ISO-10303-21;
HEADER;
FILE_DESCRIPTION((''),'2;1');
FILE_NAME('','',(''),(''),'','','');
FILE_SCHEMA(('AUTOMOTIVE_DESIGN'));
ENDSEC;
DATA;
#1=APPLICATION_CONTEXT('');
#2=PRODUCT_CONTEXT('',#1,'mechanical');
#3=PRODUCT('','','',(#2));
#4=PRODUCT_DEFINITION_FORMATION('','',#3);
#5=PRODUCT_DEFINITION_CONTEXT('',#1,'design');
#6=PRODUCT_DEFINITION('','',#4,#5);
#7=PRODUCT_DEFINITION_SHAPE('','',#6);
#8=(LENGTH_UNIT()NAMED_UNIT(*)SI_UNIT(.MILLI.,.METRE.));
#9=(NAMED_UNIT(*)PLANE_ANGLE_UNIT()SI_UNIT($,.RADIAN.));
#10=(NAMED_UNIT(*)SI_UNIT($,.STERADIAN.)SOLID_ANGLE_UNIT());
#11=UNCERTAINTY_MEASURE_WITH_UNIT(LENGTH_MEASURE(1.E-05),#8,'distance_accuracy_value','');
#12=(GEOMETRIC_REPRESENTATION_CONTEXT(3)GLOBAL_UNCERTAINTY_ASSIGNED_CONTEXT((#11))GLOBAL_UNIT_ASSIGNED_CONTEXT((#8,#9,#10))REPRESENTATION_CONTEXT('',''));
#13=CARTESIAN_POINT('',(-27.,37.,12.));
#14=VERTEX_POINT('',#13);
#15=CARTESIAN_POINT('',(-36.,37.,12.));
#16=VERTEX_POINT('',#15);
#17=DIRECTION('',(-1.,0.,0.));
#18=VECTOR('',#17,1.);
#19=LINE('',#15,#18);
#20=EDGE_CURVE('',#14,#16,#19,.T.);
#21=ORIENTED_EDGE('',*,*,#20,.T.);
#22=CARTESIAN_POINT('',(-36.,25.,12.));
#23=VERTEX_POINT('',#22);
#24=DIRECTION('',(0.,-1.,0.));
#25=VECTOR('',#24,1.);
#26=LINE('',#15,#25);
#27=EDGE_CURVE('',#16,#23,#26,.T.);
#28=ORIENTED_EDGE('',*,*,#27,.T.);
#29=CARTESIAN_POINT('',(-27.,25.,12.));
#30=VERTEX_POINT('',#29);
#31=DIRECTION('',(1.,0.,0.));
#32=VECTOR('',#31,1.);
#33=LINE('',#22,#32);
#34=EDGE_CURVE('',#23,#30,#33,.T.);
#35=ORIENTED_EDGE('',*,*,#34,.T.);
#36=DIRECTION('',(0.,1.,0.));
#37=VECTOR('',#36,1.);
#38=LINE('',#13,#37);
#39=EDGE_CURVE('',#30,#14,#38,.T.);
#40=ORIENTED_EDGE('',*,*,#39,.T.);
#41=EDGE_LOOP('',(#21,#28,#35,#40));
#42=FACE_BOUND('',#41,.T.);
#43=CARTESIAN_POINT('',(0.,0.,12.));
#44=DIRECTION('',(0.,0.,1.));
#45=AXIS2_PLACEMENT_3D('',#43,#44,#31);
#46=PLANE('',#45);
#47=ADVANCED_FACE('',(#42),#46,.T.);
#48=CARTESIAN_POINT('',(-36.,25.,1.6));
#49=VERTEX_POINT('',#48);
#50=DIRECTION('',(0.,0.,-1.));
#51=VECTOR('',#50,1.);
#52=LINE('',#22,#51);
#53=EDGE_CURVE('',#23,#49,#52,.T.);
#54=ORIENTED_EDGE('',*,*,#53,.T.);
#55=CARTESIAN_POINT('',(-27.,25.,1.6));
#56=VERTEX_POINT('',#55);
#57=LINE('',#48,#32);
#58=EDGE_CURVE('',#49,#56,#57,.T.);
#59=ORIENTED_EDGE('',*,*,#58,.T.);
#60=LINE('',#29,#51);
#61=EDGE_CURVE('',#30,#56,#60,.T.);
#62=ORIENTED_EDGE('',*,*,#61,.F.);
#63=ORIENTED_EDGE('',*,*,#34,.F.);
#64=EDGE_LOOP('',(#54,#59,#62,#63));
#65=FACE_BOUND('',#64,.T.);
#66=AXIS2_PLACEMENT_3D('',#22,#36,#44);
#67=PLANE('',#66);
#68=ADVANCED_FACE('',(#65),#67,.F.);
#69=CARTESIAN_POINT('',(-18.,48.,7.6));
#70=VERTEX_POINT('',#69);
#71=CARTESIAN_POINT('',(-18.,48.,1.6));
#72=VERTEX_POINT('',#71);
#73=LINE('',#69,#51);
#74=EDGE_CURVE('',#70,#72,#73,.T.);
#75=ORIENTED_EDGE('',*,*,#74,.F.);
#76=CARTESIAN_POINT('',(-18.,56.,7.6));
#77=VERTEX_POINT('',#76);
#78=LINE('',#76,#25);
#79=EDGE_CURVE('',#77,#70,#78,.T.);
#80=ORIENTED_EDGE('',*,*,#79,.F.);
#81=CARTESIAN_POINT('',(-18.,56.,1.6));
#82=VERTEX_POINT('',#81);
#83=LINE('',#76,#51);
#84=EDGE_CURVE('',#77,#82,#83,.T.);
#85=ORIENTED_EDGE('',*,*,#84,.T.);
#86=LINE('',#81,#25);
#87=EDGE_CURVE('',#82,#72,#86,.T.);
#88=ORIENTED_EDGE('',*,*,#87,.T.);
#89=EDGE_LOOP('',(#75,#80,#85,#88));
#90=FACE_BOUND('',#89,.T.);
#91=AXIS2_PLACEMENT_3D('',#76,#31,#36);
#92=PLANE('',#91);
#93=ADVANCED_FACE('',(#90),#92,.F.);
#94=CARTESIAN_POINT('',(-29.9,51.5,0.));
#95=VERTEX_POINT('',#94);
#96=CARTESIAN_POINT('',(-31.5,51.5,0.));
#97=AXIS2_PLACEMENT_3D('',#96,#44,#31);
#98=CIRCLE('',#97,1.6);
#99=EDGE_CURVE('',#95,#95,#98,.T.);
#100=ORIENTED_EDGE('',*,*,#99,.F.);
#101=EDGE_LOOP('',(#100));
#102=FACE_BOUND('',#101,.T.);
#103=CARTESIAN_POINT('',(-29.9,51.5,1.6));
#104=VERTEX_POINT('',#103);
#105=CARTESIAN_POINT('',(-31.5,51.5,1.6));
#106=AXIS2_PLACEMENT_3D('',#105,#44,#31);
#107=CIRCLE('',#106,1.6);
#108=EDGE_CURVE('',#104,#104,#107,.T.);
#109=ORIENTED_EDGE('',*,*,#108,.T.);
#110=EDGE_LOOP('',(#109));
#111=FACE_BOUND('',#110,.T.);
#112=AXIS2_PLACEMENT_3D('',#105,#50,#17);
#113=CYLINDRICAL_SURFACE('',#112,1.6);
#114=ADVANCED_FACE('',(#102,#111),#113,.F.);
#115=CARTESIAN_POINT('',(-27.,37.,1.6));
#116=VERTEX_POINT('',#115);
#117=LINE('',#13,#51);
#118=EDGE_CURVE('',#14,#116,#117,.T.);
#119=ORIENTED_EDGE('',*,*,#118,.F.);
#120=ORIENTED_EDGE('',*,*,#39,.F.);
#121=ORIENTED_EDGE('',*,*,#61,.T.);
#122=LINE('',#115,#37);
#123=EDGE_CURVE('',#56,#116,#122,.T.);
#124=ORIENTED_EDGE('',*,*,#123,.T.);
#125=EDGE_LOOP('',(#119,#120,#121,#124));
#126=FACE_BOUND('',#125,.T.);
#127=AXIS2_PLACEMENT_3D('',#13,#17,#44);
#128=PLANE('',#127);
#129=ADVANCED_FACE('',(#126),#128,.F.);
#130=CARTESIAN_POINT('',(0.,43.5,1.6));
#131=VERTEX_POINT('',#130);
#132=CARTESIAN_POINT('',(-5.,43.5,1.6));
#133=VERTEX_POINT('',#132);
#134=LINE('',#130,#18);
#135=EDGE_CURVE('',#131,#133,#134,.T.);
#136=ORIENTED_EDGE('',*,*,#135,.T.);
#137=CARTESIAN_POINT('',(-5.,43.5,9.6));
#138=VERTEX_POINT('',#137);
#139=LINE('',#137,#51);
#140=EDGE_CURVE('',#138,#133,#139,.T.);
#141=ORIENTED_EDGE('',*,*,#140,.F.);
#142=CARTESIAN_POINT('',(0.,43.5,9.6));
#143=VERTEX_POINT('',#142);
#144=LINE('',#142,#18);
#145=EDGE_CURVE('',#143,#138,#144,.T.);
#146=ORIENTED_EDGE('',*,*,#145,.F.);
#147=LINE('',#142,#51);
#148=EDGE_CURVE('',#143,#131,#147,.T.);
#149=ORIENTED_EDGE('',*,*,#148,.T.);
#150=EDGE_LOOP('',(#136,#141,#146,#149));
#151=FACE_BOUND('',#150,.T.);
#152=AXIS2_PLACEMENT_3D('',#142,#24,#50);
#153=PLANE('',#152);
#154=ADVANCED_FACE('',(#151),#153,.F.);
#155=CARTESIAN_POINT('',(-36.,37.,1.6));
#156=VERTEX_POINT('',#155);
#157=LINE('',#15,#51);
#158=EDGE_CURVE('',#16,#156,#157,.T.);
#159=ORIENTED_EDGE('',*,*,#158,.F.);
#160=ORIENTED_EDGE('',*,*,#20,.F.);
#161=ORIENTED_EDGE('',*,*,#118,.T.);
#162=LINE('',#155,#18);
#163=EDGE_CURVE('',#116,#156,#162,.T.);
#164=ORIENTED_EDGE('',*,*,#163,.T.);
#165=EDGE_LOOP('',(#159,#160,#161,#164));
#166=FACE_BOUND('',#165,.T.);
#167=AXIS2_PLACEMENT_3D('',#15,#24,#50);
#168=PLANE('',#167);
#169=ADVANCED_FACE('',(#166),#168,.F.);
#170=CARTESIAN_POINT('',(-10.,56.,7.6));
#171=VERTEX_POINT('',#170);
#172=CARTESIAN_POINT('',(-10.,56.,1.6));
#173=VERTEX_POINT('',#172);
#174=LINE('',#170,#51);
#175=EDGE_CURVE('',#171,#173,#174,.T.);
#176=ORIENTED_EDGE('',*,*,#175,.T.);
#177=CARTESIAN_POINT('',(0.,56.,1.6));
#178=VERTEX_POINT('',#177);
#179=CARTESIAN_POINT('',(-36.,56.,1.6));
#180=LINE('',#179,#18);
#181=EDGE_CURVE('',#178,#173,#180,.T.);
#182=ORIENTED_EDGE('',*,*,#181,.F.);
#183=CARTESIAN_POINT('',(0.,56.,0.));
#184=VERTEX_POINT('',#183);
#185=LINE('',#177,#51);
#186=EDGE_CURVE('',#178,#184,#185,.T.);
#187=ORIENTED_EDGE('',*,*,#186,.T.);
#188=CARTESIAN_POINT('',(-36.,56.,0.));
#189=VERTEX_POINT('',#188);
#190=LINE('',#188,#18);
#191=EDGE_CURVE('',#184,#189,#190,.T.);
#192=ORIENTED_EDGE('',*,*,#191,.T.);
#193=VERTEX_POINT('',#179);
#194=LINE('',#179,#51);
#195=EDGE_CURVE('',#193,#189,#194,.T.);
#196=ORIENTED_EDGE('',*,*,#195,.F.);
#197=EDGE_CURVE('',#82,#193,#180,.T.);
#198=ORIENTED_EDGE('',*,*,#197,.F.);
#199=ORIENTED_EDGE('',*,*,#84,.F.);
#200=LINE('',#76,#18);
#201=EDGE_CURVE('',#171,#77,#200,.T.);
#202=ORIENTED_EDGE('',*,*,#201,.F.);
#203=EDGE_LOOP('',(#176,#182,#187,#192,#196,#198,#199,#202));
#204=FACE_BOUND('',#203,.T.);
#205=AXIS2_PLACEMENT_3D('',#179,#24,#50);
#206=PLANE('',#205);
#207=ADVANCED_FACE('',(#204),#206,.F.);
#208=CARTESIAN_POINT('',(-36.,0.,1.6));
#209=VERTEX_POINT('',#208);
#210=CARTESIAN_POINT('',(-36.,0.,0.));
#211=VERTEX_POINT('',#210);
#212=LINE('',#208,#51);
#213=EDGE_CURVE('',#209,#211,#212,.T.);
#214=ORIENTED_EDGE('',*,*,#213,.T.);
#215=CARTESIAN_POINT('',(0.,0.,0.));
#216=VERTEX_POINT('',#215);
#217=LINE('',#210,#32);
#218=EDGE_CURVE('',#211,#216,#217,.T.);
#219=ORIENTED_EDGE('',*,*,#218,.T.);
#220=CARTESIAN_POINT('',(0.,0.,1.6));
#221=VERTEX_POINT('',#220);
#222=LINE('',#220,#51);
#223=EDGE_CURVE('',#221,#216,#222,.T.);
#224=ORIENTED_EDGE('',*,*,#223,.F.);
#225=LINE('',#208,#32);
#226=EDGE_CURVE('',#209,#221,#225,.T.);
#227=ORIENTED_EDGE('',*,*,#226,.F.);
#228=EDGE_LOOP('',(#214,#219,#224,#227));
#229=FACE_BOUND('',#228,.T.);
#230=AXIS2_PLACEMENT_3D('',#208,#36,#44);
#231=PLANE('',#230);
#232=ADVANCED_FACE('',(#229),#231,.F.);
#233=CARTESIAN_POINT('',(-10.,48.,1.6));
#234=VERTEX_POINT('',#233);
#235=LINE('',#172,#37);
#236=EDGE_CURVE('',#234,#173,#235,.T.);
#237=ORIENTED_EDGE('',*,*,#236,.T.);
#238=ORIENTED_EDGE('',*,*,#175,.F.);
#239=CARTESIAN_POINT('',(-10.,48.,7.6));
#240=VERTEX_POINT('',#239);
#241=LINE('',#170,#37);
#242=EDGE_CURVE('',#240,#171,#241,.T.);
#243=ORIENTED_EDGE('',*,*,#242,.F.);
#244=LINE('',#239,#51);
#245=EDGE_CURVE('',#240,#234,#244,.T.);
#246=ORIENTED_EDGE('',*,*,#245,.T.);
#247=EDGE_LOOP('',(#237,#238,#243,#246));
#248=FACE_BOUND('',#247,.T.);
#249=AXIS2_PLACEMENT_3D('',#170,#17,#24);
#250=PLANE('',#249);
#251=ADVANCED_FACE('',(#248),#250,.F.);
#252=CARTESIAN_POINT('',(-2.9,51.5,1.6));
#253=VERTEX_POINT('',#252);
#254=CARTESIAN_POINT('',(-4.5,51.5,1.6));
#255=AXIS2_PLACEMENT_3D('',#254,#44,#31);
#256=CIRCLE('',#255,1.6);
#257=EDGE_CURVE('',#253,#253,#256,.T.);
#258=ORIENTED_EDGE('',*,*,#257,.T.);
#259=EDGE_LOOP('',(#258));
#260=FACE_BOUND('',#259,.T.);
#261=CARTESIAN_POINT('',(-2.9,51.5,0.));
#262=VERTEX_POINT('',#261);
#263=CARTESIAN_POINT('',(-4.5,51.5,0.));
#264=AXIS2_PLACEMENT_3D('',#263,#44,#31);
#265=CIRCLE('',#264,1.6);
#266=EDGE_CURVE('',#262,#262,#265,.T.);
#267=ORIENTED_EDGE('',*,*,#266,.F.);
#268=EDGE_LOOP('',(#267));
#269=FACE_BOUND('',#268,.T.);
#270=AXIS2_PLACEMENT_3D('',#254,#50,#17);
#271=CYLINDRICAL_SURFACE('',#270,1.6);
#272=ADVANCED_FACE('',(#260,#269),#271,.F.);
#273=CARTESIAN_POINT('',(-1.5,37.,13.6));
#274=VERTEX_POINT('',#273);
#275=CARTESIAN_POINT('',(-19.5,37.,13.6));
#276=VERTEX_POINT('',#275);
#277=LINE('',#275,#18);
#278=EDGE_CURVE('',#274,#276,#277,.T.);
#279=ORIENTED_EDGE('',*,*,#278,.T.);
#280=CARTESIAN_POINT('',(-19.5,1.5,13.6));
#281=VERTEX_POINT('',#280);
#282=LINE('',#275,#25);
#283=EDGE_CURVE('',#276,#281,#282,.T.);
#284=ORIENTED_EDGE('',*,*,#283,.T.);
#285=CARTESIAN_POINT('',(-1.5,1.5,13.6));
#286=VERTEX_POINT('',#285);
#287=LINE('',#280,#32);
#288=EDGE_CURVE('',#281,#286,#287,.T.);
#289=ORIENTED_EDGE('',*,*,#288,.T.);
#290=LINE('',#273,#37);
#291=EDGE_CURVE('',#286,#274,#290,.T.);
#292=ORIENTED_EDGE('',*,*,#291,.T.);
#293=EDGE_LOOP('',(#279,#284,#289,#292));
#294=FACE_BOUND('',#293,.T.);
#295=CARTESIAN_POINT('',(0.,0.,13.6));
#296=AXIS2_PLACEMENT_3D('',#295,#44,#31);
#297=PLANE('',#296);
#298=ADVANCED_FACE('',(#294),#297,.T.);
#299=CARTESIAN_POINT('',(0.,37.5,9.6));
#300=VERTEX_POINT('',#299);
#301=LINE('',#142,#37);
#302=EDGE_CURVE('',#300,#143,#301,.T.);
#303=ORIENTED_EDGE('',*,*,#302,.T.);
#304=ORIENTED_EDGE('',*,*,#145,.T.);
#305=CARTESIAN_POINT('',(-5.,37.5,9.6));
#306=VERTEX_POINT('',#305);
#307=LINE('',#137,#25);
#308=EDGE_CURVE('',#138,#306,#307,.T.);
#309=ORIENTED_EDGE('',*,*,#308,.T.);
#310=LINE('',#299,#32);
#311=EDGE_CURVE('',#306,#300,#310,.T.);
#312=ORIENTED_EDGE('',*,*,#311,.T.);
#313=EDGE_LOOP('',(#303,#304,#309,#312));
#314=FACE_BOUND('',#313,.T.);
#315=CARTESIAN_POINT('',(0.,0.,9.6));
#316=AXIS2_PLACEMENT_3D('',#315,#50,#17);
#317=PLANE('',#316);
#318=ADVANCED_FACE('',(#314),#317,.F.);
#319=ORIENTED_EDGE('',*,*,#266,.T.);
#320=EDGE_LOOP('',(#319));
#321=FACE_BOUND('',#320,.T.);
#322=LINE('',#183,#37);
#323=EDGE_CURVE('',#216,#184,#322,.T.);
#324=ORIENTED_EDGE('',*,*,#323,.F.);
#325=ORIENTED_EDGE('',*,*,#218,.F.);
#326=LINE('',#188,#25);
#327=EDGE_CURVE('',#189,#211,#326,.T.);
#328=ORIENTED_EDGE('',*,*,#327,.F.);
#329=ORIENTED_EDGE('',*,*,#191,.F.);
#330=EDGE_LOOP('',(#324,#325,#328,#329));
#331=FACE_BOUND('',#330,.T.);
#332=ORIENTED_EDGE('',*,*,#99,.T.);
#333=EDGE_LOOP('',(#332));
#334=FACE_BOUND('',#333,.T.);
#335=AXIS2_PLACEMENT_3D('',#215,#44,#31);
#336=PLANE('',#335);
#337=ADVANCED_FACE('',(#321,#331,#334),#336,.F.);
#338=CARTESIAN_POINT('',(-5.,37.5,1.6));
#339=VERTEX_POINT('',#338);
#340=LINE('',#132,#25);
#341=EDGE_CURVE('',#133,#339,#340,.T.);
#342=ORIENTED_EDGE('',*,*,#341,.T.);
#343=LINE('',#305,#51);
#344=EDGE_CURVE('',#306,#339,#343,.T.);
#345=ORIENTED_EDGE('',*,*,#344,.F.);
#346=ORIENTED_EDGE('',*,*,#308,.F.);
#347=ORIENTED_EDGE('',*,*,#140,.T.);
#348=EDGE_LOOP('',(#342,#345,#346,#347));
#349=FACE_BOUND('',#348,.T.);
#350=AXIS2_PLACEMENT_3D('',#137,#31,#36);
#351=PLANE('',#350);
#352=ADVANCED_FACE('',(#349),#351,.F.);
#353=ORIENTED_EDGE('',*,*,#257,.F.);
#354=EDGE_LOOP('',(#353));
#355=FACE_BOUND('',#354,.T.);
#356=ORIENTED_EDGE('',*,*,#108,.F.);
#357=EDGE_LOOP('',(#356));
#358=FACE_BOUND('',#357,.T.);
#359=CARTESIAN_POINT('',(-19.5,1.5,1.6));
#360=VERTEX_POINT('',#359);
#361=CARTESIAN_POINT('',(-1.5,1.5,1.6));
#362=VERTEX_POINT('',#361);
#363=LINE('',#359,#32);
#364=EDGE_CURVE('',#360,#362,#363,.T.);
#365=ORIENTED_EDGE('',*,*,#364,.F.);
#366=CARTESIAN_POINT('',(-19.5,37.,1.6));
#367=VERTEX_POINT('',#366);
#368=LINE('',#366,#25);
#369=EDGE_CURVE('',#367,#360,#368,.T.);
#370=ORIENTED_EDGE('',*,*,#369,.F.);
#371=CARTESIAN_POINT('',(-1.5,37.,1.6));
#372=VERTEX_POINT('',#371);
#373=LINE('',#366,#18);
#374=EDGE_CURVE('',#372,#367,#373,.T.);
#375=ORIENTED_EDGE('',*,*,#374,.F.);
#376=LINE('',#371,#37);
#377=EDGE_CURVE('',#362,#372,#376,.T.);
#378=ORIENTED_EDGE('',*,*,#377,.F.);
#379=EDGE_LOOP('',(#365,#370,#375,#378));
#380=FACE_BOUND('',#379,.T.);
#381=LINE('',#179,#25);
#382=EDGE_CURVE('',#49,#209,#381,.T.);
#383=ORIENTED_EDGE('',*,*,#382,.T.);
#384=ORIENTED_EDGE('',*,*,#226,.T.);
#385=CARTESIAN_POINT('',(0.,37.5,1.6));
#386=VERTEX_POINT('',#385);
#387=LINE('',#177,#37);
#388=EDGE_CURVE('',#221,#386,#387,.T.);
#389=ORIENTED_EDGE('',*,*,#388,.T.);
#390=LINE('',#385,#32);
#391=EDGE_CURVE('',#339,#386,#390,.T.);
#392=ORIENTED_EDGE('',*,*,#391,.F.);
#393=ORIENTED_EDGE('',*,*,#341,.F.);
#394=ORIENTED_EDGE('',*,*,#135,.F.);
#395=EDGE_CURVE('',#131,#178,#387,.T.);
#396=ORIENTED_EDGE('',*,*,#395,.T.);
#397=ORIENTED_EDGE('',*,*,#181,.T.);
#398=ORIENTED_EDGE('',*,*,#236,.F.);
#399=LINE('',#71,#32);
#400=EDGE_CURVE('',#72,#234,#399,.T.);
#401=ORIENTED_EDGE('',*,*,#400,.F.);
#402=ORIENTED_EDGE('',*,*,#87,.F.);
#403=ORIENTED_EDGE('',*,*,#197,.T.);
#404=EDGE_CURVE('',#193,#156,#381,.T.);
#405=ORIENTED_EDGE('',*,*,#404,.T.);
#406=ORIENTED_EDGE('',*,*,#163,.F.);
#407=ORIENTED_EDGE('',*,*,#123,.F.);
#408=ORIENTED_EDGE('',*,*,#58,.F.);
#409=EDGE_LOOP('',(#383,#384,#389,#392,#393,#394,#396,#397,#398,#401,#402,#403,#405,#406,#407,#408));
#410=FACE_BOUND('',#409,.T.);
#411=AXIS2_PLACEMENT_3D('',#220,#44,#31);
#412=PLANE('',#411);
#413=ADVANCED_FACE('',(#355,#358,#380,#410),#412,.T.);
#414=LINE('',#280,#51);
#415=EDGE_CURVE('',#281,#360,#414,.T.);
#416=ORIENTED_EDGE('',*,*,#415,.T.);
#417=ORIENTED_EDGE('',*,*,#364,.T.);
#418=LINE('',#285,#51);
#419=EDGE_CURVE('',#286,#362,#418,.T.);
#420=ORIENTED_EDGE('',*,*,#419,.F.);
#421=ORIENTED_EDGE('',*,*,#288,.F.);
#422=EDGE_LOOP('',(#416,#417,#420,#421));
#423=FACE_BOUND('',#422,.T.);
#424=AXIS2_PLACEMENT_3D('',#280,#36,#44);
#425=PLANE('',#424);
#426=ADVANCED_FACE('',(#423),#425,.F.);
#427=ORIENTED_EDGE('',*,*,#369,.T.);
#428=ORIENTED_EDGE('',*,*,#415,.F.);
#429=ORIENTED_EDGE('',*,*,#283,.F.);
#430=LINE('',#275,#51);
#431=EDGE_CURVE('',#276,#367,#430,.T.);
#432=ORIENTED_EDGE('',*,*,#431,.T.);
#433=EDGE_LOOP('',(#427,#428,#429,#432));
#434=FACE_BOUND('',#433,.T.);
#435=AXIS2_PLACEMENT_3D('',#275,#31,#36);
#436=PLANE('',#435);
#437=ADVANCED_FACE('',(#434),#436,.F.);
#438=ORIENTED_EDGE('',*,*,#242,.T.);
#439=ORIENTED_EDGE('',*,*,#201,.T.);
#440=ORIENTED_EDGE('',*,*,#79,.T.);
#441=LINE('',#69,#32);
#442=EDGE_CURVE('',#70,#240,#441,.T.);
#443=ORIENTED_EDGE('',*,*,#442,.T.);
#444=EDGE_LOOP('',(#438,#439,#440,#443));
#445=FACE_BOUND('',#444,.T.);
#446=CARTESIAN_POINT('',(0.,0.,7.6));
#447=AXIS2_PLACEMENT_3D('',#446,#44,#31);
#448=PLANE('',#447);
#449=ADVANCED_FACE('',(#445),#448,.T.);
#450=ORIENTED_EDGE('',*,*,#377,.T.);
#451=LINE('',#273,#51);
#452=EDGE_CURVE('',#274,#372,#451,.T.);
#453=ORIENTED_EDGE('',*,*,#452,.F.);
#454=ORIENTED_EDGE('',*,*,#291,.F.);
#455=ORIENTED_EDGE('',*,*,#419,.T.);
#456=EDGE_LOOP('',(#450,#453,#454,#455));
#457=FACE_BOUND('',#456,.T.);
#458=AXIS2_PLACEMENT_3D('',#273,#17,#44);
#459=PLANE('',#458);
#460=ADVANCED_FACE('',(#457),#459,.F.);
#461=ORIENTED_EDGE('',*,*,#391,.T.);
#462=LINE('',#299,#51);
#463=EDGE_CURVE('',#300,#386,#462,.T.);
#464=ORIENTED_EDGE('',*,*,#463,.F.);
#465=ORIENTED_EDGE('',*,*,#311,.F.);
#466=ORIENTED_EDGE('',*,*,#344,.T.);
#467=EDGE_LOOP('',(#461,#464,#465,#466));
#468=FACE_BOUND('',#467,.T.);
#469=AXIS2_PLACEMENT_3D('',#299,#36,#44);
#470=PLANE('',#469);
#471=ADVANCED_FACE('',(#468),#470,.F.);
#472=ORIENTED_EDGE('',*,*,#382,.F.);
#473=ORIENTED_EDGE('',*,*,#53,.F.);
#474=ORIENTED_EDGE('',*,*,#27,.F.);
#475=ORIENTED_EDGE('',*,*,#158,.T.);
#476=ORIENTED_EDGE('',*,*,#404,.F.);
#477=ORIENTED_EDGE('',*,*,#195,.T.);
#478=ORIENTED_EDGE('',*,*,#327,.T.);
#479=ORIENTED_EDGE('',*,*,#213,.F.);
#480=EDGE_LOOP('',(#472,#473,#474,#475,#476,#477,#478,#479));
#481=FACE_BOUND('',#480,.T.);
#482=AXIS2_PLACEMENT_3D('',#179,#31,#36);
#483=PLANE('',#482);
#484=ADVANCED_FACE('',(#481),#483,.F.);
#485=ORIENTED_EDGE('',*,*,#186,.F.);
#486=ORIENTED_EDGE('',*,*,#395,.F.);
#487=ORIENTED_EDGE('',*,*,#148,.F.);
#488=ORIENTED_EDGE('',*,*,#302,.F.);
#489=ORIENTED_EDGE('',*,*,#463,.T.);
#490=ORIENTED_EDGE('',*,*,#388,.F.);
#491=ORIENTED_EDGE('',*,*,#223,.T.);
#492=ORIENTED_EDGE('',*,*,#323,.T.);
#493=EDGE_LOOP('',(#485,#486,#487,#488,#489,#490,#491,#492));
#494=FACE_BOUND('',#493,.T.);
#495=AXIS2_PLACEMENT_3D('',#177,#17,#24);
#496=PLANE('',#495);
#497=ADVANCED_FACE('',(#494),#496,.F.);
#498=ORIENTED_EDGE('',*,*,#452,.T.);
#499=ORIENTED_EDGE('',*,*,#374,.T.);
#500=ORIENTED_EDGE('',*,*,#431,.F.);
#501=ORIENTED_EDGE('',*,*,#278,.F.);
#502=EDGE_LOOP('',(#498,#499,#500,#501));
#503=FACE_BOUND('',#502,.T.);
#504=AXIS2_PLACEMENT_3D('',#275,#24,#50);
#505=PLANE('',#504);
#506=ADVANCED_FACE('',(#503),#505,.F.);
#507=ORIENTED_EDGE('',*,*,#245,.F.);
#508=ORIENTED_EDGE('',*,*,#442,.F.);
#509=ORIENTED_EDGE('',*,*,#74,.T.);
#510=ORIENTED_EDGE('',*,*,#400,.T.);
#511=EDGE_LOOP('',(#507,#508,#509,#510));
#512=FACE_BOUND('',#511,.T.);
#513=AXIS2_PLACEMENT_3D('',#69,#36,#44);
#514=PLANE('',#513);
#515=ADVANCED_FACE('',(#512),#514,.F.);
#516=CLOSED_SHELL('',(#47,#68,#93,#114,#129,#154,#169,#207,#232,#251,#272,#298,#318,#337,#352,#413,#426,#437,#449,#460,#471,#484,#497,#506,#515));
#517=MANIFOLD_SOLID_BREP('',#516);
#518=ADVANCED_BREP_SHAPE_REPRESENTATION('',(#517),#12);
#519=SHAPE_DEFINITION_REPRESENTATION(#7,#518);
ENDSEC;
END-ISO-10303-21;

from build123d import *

# Parameters (mm, degrees)
ESQUISSE1_W          = 36
ESQUISSE1_H          = 56
ESQUISSE1_R          = 1.6
BOARD_DEPTH          = 1.6
ESQUISSE2_W          = 8
ESQUISSE2_H          = 8
RS232_DEPTH          = 6
ESQUISSE3_W          = 5
ESQUISSE3_H          = 6
LIMIT_SWITCH_DEPTH   = 8
ESQUISSE4_W          = 18
ESQUISSE4_H          = 35.5
TEENSY_4_0_DEPTH     = 12
ESQUISSE5_W          = 9
ESQUISSE5_H          = 12
F_5V_REGULATOR_DEPTH = 10.4


with BuildPart() as part:
    # Esquisse1 → Board (new body)
    with BuildSketch(Plane.XY):
        with Locations((-18, 28)):
            Rectangle(ESQUISSE1_W, ESQUISSE1_H)
        with Locations((-31.5, 51.5)):
            Circle(ESQUISSE1_R, mode=Mode.SUBTRACT)
        with Locations((-4.5, 51.5)):
            Circle(ESQUISSE1_R, mode=Mode.SUBTRACT)
    extrude(amount=BOARD_DEPTH)

    # Esquisse2 → RS232 (add)
    with BuildSketch(Plane.XY.offset(1.6)):
        with Locations((-14, 52)):
            Rectangle(ESQUISSE2_W, ESQUISSE2_H)
    extrude(amount=RS232_DEPTH)

    # Esquisse3 → Limit switch (add)
    with BuildSketch(Plane.XY.offset(1.6)):
        with Locations((-2.5, 40.5)):
            Rectangle(ESQUISSE3_W, ESQUISSE3_H)
    extrude(amount=LIMIT_SWITCH_DEPTH)

    # Esquisse4 → Teensy 4.0 (add)
    with BuildSketch(Plane.XY.offset(1.6)):
        with Locations((-10.5, 19.25)):
            Rectangle(ESQUISSE4_W, ESQUISSE4_H)
    extrude(amount=TEENSY_4_0_DEPTH)

    # Esquisse5 → 5v regulator (add)
    with BuildSketch(Plane.XY.offset(1.6)):
        with Locations((-31.5, 31)):
            Rectangle(ESQUISSE5_W, ESQUISSE5_H)
    extrude(amount=F_5V_REGULATOR_DEPTH)


solid = part.part
